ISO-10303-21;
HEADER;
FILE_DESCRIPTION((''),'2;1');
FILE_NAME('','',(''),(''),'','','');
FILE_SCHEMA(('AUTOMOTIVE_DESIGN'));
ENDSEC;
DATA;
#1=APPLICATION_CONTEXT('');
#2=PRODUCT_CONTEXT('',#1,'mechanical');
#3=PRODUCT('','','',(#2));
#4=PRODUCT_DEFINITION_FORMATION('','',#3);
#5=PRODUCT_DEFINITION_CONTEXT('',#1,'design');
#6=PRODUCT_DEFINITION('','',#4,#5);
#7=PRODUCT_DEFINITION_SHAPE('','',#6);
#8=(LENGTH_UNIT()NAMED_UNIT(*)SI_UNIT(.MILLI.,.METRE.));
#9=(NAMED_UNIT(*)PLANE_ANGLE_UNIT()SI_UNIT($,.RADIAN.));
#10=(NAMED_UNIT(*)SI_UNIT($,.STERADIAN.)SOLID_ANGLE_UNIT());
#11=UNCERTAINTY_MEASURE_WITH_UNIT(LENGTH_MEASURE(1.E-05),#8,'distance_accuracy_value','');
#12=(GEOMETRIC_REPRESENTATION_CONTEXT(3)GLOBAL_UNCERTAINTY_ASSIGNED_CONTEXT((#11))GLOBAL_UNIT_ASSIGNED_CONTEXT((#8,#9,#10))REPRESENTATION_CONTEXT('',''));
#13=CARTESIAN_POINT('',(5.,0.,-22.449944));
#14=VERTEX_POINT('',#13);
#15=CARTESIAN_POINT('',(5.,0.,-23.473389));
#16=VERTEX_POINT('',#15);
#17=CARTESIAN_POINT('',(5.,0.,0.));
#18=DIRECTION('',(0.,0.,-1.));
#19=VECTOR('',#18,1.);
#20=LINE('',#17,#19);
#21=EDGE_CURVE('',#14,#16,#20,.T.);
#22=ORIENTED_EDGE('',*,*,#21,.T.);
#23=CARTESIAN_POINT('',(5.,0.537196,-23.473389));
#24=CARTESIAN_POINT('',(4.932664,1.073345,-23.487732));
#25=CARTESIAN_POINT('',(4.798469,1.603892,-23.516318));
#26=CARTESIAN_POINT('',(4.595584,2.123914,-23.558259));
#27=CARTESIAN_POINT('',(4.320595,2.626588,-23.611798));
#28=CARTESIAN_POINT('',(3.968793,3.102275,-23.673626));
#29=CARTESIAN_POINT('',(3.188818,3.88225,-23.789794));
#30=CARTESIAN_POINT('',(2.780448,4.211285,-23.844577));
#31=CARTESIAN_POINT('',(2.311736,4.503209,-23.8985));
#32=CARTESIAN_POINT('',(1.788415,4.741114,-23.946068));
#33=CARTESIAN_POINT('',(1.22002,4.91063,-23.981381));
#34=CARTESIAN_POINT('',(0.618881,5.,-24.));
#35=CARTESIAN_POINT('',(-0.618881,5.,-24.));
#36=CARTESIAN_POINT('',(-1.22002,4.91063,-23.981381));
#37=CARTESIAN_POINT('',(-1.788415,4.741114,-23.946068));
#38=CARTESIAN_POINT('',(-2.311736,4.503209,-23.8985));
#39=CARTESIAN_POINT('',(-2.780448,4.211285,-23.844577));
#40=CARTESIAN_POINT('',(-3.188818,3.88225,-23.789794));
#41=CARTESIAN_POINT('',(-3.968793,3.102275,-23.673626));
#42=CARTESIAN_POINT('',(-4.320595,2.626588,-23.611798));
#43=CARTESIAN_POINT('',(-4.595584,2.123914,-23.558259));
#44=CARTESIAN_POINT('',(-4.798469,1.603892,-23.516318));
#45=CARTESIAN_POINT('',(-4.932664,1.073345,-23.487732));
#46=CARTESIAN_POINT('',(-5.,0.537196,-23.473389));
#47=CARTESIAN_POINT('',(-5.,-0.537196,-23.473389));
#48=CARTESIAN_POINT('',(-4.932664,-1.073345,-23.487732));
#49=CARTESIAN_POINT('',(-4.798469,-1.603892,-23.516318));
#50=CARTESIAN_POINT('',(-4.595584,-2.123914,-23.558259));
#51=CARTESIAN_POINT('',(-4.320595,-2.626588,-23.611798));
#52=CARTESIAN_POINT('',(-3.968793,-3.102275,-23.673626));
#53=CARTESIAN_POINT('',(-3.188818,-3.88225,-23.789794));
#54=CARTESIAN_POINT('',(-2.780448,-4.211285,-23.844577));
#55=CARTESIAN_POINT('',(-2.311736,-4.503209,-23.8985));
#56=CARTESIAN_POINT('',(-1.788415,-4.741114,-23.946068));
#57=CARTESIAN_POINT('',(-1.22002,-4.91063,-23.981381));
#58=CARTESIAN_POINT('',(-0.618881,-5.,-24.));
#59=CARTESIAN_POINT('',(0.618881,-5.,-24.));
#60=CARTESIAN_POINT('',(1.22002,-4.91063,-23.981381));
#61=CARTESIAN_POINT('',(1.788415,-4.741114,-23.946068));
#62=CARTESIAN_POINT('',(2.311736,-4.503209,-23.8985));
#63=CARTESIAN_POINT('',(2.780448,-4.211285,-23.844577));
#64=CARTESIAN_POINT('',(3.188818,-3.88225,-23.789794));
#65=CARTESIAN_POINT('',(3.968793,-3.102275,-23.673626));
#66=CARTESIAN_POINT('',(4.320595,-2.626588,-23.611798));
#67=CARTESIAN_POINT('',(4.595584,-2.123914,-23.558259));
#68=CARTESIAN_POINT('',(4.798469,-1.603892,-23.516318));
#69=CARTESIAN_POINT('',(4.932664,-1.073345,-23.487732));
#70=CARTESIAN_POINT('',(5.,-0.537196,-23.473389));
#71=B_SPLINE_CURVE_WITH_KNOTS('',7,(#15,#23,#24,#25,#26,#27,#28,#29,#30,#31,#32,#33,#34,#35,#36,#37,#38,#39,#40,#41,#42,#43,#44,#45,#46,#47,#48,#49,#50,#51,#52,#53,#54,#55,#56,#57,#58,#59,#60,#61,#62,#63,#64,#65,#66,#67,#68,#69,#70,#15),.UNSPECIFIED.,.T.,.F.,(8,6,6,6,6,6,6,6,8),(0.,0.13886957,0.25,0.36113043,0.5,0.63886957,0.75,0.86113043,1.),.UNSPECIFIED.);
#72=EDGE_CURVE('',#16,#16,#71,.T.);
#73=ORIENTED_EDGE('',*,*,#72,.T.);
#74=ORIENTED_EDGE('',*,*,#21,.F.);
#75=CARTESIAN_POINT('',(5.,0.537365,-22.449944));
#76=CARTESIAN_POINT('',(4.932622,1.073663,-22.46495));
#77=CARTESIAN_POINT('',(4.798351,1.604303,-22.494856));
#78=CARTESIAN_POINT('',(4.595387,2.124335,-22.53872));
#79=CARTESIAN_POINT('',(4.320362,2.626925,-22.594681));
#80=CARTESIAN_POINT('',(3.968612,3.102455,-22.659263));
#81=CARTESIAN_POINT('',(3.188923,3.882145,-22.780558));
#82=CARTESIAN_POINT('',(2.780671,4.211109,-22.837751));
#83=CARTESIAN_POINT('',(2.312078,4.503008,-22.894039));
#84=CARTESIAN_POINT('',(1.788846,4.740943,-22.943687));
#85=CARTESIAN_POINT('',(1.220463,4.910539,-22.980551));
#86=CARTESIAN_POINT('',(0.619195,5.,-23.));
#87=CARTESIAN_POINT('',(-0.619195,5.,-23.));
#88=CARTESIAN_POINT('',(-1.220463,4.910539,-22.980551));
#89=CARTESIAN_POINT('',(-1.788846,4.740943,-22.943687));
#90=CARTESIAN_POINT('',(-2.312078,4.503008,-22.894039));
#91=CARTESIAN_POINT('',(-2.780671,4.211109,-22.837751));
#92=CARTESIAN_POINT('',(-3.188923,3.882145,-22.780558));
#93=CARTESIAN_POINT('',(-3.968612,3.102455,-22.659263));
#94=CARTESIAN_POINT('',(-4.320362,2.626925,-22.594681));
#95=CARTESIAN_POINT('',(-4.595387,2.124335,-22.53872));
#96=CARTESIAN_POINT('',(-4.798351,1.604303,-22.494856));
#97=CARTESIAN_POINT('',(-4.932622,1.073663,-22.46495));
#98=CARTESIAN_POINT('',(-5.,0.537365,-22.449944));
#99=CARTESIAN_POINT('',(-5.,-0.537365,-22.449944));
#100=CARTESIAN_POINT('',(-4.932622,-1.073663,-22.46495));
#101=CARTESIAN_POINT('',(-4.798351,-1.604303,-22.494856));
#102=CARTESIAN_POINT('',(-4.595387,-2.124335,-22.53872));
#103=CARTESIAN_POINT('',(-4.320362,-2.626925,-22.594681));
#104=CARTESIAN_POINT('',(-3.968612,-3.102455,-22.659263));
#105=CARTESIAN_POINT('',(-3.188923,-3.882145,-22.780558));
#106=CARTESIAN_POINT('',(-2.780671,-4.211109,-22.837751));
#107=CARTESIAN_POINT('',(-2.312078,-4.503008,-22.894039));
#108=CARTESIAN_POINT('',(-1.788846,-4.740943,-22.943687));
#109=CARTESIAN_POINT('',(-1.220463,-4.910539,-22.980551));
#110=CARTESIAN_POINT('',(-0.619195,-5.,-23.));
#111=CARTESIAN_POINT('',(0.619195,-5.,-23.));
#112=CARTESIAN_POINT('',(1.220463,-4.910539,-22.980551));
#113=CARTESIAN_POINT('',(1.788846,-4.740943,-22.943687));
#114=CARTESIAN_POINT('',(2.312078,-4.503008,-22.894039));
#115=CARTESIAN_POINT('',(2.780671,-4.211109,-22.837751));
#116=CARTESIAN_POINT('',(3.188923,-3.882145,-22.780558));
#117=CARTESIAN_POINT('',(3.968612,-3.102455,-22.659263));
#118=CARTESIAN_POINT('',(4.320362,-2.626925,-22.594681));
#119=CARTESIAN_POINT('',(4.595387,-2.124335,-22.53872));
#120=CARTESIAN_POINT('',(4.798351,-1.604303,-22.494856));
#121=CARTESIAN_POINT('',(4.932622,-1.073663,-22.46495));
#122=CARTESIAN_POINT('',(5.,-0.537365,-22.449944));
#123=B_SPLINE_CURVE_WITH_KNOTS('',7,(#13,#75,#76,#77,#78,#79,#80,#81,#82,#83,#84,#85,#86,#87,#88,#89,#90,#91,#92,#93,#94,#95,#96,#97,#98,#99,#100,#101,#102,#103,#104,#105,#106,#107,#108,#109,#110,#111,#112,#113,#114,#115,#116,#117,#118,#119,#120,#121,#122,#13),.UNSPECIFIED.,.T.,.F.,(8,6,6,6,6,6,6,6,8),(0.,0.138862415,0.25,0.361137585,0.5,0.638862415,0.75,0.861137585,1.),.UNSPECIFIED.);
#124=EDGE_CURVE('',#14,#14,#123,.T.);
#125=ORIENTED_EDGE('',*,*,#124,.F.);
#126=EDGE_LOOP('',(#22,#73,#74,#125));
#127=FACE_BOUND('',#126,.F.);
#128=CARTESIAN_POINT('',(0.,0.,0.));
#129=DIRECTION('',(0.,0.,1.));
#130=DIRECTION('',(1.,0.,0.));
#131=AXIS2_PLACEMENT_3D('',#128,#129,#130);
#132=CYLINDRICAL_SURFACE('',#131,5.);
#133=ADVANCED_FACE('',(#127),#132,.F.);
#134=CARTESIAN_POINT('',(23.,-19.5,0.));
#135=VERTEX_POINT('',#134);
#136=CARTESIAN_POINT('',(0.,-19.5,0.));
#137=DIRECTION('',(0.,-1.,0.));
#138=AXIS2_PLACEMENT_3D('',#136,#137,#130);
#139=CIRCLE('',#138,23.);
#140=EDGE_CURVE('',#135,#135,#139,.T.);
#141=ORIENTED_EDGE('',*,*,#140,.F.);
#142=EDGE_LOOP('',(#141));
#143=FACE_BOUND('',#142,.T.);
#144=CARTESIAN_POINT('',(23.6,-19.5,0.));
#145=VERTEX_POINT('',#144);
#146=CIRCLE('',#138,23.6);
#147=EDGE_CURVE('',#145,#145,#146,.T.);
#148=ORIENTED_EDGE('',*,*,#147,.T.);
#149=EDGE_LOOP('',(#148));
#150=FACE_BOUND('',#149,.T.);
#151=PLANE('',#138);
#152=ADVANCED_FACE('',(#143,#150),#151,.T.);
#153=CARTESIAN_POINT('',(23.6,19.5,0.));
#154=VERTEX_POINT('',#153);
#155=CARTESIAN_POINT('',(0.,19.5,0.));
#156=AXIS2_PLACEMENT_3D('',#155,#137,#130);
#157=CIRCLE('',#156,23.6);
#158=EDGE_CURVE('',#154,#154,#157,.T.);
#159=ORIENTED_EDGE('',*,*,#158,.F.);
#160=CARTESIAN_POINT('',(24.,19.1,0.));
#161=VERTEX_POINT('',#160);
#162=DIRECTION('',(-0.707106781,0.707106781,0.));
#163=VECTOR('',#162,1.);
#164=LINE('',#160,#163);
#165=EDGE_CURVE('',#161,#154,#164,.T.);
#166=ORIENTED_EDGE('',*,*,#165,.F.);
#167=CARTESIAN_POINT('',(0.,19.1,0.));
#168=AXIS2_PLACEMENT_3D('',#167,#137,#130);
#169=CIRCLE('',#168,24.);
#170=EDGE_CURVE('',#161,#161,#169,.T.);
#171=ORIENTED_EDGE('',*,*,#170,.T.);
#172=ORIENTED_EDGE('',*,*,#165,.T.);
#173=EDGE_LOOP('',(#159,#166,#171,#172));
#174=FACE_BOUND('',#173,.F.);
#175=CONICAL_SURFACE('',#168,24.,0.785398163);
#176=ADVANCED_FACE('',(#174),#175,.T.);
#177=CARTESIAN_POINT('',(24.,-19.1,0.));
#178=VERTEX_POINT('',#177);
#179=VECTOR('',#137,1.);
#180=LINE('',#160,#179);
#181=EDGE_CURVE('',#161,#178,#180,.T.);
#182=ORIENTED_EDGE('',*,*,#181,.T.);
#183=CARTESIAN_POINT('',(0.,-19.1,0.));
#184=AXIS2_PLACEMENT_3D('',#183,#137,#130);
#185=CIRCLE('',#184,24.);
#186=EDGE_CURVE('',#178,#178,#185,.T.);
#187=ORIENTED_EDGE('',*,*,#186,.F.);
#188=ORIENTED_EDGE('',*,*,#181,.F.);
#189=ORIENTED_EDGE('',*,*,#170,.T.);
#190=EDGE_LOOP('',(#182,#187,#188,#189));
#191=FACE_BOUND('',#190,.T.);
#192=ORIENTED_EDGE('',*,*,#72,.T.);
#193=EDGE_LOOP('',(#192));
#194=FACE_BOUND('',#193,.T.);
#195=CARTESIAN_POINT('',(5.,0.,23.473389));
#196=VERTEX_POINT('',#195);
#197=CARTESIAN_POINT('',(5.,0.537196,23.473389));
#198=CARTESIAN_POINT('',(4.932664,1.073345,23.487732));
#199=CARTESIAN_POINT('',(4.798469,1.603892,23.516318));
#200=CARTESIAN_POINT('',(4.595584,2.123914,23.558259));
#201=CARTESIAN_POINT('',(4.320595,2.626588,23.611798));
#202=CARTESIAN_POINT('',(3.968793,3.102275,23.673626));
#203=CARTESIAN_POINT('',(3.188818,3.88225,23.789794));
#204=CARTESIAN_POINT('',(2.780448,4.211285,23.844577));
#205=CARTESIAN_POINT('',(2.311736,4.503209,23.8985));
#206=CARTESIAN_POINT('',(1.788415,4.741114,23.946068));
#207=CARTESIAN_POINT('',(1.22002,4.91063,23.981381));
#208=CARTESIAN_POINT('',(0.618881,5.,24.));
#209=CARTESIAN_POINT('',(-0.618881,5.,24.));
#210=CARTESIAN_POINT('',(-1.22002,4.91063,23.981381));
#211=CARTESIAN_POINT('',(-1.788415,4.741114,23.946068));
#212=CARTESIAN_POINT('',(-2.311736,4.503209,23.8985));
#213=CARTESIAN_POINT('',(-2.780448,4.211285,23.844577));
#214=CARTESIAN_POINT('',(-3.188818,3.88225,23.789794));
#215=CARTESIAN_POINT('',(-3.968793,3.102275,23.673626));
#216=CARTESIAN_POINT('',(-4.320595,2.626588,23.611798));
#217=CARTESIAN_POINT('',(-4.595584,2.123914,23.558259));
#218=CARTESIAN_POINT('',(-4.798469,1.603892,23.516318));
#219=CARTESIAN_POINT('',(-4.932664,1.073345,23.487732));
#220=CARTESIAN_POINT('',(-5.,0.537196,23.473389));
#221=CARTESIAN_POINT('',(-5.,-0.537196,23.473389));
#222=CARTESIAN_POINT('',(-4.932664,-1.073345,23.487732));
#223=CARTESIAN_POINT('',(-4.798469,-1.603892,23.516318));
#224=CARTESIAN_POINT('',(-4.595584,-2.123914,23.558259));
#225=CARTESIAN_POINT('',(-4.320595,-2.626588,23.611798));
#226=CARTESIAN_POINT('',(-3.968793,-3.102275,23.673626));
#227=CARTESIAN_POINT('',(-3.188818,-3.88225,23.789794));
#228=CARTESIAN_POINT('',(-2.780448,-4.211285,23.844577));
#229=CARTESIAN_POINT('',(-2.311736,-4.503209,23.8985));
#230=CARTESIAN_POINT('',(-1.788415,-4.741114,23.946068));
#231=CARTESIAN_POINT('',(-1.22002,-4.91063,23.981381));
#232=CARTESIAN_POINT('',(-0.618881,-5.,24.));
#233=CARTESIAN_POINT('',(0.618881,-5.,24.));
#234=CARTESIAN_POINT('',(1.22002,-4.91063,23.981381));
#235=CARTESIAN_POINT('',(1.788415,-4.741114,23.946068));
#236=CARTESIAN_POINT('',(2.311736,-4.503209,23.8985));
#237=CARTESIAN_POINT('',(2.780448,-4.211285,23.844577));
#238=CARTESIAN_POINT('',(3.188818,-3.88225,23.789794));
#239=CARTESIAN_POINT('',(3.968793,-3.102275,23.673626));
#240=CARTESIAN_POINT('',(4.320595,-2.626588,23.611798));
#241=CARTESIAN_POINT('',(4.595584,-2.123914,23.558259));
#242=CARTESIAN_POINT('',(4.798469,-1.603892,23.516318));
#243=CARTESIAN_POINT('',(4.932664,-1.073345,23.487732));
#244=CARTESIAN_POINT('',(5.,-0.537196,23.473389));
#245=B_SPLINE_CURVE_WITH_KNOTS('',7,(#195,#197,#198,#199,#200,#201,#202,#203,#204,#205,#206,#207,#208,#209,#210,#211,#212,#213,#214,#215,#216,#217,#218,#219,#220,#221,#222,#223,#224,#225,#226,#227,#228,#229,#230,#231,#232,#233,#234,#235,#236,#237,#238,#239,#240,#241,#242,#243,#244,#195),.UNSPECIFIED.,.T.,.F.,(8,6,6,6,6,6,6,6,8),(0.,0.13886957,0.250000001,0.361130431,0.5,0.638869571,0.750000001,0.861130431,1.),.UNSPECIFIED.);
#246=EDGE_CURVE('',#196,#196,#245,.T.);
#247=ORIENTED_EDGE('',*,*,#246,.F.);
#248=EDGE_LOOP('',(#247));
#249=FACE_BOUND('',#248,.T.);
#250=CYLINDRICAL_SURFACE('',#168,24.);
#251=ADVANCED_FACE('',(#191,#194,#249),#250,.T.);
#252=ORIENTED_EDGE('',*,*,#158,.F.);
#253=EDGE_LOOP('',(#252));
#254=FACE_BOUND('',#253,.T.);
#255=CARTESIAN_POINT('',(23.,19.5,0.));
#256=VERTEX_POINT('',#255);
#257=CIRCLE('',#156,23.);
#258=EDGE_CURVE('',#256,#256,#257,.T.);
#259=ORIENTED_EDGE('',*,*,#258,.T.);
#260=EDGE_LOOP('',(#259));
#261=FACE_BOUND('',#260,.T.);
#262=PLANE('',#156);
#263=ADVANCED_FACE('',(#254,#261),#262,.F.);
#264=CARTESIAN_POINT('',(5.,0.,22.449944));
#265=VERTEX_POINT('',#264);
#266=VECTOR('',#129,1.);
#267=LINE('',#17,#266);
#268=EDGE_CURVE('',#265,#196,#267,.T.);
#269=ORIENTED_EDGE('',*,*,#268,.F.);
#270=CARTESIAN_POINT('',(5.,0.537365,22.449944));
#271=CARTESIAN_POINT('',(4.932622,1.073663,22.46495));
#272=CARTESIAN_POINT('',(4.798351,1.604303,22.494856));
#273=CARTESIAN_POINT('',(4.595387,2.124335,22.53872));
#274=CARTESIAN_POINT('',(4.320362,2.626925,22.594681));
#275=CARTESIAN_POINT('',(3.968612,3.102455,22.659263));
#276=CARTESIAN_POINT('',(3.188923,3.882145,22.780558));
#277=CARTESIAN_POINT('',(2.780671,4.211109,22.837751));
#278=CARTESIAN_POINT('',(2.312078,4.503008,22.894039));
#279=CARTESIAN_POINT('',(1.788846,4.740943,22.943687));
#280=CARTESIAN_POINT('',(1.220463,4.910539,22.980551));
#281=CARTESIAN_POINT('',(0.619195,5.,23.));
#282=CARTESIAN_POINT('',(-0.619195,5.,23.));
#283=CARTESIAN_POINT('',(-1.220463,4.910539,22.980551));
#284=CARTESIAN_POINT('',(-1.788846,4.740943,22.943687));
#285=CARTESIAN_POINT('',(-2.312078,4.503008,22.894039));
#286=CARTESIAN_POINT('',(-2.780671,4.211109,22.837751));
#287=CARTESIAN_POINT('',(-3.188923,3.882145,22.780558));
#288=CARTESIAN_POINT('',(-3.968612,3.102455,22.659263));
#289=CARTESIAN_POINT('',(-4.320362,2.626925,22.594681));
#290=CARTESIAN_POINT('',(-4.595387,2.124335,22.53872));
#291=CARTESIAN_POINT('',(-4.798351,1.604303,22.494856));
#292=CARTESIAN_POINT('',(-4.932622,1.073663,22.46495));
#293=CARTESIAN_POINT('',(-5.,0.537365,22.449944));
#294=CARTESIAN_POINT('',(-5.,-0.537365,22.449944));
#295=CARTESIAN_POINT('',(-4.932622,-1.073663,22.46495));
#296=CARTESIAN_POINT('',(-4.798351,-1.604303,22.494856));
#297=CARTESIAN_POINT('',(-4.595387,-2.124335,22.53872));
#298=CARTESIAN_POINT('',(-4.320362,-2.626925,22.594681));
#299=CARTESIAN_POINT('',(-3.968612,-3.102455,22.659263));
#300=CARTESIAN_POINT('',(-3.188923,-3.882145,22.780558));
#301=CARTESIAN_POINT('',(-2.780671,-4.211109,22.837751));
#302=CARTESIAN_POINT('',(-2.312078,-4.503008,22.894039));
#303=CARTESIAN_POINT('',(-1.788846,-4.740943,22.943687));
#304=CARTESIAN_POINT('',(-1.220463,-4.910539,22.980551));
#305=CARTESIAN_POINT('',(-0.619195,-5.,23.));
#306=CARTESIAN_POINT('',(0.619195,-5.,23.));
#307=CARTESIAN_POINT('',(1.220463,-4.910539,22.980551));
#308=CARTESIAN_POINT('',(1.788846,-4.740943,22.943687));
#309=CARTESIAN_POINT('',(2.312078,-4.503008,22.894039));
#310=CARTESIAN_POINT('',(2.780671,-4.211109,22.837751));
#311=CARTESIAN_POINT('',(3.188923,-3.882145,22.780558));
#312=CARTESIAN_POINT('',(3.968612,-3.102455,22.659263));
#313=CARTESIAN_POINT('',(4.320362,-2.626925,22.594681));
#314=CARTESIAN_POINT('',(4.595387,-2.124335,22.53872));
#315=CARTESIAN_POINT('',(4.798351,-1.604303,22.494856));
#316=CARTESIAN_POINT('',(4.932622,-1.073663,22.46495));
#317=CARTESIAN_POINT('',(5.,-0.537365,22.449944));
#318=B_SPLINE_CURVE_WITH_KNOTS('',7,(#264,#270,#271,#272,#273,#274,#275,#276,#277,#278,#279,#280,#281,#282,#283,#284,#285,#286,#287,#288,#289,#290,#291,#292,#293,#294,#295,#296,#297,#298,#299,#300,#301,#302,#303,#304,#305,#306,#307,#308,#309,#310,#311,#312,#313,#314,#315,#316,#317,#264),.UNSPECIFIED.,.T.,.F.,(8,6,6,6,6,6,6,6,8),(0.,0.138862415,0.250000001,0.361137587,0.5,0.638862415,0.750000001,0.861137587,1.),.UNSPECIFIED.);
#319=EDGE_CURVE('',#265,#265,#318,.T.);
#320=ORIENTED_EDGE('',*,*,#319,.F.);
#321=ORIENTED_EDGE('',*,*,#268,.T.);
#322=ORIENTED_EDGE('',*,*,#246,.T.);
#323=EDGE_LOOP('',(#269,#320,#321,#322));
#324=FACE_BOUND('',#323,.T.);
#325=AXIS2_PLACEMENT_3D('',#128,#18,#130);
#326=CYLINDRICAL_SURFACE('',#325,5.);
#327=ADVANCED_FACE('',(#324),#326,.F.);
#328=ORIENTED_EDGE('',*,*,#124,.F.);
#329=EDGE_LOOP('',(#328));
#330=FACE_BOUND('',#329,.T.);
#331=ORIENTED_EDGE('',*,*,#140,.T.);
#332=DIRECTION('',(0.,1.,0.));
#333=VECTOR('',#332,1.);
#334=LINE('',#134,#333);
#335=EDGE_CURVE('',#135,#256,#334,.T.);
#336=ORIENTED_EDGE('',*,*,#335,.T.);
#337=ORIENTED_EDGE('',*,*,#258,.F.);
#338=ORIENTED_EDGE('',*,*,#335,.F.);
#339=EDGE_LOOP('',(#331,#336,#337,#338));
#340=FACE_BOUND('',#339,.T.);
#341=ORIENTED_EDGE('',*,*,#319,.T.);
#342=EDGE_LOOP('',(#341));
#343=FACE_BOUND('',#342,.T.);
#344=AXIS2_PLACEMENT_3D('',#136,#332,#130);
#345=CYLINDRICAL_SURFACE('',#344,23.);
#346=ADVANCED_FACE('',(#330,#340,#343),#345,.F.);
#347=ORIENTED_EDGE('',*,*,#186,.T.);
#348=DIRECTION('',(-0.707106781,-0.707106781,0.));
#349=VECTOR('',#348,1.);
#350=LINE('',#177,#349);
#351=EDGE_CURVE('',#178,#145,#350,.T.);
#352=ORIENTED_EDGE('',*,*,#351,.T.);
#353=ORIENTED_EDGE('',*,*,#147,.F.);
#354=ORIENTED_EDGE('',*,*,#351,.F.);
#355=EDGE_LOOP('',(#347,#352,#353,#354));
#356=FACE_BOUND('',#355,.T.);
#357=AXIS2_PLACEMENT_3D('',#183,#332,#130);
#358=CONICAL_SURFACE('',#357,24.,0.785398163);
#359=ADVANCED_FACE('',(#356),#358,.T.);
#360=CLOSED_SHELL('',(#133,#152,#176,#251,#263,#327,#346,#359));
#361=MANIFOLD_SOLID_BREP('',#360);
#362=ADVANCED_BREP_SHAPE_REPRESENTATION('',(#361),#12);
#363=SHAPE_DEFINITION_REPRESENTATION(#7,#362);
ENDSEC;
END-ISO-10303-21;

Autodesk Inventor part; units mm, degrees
ref_plane "YZ Plane" through (0, 0, 0) normal (1, 0, 0) x (0, 1, 0)
ref_plane "XZ Plane" through (0, 0, 0) normal (0, 1, 0) x (-1, 0, 0)
ref_plane "XY Plane" through (0, 0, 0) normal (0, 0, 1) x (1, 0, 0)
sketch "Эскиз1" plane through (0, 0, 0) normal (0, 0, 1) x (1, 0, 0)
  line L0 (0, 19.5) -> (0, -19.5)
  line L1 (23, -19.5) -> (23, 19.5)
  line L2 (23, 19.5) -> (23.6, 19.5)
  line L3 (24, 19.1) -> (24, -19.1)
  line L4 (23.6, -19.5) -> (23, -19.5)
  line L5 (24, -19.1) -> (23.6, -19.5)
  line L6 (24, 19.1) -> (23.6, 19.5)
  point P0 (0, 0)
  point P1 (0, 0)
  point P2 (24, 19.5)
  point P3 (24, -19.5)
  dimension "d0" = 39
  dimension "d1" = 48
  dimension "d2" = 46
  dimension "d7" = 0.4
  dimension "d8" = 45
  dimension "d9" = 0.4
  dimension "d10" = 45
revolve "Вращение1" add sketch "Эскиз1" angle 360 about axis through (0, 19.5, 0) along (0, -1, 0)
sketch "Эскиз2" plane through (0, 0, 0) normal (0, 0, 1) x (1, 0, 0)
  circle A0 centre (0, 0) radius 5
  dimension "d4" = 10
extrude "Выдавливание1" cut sketch "Эскиз2" along normal through all both and the other way through all
equation "\"d9\" = d7"
equation "\"d10\" = d8"
properties part number "75. Втулка шестерни третьей передачи"
